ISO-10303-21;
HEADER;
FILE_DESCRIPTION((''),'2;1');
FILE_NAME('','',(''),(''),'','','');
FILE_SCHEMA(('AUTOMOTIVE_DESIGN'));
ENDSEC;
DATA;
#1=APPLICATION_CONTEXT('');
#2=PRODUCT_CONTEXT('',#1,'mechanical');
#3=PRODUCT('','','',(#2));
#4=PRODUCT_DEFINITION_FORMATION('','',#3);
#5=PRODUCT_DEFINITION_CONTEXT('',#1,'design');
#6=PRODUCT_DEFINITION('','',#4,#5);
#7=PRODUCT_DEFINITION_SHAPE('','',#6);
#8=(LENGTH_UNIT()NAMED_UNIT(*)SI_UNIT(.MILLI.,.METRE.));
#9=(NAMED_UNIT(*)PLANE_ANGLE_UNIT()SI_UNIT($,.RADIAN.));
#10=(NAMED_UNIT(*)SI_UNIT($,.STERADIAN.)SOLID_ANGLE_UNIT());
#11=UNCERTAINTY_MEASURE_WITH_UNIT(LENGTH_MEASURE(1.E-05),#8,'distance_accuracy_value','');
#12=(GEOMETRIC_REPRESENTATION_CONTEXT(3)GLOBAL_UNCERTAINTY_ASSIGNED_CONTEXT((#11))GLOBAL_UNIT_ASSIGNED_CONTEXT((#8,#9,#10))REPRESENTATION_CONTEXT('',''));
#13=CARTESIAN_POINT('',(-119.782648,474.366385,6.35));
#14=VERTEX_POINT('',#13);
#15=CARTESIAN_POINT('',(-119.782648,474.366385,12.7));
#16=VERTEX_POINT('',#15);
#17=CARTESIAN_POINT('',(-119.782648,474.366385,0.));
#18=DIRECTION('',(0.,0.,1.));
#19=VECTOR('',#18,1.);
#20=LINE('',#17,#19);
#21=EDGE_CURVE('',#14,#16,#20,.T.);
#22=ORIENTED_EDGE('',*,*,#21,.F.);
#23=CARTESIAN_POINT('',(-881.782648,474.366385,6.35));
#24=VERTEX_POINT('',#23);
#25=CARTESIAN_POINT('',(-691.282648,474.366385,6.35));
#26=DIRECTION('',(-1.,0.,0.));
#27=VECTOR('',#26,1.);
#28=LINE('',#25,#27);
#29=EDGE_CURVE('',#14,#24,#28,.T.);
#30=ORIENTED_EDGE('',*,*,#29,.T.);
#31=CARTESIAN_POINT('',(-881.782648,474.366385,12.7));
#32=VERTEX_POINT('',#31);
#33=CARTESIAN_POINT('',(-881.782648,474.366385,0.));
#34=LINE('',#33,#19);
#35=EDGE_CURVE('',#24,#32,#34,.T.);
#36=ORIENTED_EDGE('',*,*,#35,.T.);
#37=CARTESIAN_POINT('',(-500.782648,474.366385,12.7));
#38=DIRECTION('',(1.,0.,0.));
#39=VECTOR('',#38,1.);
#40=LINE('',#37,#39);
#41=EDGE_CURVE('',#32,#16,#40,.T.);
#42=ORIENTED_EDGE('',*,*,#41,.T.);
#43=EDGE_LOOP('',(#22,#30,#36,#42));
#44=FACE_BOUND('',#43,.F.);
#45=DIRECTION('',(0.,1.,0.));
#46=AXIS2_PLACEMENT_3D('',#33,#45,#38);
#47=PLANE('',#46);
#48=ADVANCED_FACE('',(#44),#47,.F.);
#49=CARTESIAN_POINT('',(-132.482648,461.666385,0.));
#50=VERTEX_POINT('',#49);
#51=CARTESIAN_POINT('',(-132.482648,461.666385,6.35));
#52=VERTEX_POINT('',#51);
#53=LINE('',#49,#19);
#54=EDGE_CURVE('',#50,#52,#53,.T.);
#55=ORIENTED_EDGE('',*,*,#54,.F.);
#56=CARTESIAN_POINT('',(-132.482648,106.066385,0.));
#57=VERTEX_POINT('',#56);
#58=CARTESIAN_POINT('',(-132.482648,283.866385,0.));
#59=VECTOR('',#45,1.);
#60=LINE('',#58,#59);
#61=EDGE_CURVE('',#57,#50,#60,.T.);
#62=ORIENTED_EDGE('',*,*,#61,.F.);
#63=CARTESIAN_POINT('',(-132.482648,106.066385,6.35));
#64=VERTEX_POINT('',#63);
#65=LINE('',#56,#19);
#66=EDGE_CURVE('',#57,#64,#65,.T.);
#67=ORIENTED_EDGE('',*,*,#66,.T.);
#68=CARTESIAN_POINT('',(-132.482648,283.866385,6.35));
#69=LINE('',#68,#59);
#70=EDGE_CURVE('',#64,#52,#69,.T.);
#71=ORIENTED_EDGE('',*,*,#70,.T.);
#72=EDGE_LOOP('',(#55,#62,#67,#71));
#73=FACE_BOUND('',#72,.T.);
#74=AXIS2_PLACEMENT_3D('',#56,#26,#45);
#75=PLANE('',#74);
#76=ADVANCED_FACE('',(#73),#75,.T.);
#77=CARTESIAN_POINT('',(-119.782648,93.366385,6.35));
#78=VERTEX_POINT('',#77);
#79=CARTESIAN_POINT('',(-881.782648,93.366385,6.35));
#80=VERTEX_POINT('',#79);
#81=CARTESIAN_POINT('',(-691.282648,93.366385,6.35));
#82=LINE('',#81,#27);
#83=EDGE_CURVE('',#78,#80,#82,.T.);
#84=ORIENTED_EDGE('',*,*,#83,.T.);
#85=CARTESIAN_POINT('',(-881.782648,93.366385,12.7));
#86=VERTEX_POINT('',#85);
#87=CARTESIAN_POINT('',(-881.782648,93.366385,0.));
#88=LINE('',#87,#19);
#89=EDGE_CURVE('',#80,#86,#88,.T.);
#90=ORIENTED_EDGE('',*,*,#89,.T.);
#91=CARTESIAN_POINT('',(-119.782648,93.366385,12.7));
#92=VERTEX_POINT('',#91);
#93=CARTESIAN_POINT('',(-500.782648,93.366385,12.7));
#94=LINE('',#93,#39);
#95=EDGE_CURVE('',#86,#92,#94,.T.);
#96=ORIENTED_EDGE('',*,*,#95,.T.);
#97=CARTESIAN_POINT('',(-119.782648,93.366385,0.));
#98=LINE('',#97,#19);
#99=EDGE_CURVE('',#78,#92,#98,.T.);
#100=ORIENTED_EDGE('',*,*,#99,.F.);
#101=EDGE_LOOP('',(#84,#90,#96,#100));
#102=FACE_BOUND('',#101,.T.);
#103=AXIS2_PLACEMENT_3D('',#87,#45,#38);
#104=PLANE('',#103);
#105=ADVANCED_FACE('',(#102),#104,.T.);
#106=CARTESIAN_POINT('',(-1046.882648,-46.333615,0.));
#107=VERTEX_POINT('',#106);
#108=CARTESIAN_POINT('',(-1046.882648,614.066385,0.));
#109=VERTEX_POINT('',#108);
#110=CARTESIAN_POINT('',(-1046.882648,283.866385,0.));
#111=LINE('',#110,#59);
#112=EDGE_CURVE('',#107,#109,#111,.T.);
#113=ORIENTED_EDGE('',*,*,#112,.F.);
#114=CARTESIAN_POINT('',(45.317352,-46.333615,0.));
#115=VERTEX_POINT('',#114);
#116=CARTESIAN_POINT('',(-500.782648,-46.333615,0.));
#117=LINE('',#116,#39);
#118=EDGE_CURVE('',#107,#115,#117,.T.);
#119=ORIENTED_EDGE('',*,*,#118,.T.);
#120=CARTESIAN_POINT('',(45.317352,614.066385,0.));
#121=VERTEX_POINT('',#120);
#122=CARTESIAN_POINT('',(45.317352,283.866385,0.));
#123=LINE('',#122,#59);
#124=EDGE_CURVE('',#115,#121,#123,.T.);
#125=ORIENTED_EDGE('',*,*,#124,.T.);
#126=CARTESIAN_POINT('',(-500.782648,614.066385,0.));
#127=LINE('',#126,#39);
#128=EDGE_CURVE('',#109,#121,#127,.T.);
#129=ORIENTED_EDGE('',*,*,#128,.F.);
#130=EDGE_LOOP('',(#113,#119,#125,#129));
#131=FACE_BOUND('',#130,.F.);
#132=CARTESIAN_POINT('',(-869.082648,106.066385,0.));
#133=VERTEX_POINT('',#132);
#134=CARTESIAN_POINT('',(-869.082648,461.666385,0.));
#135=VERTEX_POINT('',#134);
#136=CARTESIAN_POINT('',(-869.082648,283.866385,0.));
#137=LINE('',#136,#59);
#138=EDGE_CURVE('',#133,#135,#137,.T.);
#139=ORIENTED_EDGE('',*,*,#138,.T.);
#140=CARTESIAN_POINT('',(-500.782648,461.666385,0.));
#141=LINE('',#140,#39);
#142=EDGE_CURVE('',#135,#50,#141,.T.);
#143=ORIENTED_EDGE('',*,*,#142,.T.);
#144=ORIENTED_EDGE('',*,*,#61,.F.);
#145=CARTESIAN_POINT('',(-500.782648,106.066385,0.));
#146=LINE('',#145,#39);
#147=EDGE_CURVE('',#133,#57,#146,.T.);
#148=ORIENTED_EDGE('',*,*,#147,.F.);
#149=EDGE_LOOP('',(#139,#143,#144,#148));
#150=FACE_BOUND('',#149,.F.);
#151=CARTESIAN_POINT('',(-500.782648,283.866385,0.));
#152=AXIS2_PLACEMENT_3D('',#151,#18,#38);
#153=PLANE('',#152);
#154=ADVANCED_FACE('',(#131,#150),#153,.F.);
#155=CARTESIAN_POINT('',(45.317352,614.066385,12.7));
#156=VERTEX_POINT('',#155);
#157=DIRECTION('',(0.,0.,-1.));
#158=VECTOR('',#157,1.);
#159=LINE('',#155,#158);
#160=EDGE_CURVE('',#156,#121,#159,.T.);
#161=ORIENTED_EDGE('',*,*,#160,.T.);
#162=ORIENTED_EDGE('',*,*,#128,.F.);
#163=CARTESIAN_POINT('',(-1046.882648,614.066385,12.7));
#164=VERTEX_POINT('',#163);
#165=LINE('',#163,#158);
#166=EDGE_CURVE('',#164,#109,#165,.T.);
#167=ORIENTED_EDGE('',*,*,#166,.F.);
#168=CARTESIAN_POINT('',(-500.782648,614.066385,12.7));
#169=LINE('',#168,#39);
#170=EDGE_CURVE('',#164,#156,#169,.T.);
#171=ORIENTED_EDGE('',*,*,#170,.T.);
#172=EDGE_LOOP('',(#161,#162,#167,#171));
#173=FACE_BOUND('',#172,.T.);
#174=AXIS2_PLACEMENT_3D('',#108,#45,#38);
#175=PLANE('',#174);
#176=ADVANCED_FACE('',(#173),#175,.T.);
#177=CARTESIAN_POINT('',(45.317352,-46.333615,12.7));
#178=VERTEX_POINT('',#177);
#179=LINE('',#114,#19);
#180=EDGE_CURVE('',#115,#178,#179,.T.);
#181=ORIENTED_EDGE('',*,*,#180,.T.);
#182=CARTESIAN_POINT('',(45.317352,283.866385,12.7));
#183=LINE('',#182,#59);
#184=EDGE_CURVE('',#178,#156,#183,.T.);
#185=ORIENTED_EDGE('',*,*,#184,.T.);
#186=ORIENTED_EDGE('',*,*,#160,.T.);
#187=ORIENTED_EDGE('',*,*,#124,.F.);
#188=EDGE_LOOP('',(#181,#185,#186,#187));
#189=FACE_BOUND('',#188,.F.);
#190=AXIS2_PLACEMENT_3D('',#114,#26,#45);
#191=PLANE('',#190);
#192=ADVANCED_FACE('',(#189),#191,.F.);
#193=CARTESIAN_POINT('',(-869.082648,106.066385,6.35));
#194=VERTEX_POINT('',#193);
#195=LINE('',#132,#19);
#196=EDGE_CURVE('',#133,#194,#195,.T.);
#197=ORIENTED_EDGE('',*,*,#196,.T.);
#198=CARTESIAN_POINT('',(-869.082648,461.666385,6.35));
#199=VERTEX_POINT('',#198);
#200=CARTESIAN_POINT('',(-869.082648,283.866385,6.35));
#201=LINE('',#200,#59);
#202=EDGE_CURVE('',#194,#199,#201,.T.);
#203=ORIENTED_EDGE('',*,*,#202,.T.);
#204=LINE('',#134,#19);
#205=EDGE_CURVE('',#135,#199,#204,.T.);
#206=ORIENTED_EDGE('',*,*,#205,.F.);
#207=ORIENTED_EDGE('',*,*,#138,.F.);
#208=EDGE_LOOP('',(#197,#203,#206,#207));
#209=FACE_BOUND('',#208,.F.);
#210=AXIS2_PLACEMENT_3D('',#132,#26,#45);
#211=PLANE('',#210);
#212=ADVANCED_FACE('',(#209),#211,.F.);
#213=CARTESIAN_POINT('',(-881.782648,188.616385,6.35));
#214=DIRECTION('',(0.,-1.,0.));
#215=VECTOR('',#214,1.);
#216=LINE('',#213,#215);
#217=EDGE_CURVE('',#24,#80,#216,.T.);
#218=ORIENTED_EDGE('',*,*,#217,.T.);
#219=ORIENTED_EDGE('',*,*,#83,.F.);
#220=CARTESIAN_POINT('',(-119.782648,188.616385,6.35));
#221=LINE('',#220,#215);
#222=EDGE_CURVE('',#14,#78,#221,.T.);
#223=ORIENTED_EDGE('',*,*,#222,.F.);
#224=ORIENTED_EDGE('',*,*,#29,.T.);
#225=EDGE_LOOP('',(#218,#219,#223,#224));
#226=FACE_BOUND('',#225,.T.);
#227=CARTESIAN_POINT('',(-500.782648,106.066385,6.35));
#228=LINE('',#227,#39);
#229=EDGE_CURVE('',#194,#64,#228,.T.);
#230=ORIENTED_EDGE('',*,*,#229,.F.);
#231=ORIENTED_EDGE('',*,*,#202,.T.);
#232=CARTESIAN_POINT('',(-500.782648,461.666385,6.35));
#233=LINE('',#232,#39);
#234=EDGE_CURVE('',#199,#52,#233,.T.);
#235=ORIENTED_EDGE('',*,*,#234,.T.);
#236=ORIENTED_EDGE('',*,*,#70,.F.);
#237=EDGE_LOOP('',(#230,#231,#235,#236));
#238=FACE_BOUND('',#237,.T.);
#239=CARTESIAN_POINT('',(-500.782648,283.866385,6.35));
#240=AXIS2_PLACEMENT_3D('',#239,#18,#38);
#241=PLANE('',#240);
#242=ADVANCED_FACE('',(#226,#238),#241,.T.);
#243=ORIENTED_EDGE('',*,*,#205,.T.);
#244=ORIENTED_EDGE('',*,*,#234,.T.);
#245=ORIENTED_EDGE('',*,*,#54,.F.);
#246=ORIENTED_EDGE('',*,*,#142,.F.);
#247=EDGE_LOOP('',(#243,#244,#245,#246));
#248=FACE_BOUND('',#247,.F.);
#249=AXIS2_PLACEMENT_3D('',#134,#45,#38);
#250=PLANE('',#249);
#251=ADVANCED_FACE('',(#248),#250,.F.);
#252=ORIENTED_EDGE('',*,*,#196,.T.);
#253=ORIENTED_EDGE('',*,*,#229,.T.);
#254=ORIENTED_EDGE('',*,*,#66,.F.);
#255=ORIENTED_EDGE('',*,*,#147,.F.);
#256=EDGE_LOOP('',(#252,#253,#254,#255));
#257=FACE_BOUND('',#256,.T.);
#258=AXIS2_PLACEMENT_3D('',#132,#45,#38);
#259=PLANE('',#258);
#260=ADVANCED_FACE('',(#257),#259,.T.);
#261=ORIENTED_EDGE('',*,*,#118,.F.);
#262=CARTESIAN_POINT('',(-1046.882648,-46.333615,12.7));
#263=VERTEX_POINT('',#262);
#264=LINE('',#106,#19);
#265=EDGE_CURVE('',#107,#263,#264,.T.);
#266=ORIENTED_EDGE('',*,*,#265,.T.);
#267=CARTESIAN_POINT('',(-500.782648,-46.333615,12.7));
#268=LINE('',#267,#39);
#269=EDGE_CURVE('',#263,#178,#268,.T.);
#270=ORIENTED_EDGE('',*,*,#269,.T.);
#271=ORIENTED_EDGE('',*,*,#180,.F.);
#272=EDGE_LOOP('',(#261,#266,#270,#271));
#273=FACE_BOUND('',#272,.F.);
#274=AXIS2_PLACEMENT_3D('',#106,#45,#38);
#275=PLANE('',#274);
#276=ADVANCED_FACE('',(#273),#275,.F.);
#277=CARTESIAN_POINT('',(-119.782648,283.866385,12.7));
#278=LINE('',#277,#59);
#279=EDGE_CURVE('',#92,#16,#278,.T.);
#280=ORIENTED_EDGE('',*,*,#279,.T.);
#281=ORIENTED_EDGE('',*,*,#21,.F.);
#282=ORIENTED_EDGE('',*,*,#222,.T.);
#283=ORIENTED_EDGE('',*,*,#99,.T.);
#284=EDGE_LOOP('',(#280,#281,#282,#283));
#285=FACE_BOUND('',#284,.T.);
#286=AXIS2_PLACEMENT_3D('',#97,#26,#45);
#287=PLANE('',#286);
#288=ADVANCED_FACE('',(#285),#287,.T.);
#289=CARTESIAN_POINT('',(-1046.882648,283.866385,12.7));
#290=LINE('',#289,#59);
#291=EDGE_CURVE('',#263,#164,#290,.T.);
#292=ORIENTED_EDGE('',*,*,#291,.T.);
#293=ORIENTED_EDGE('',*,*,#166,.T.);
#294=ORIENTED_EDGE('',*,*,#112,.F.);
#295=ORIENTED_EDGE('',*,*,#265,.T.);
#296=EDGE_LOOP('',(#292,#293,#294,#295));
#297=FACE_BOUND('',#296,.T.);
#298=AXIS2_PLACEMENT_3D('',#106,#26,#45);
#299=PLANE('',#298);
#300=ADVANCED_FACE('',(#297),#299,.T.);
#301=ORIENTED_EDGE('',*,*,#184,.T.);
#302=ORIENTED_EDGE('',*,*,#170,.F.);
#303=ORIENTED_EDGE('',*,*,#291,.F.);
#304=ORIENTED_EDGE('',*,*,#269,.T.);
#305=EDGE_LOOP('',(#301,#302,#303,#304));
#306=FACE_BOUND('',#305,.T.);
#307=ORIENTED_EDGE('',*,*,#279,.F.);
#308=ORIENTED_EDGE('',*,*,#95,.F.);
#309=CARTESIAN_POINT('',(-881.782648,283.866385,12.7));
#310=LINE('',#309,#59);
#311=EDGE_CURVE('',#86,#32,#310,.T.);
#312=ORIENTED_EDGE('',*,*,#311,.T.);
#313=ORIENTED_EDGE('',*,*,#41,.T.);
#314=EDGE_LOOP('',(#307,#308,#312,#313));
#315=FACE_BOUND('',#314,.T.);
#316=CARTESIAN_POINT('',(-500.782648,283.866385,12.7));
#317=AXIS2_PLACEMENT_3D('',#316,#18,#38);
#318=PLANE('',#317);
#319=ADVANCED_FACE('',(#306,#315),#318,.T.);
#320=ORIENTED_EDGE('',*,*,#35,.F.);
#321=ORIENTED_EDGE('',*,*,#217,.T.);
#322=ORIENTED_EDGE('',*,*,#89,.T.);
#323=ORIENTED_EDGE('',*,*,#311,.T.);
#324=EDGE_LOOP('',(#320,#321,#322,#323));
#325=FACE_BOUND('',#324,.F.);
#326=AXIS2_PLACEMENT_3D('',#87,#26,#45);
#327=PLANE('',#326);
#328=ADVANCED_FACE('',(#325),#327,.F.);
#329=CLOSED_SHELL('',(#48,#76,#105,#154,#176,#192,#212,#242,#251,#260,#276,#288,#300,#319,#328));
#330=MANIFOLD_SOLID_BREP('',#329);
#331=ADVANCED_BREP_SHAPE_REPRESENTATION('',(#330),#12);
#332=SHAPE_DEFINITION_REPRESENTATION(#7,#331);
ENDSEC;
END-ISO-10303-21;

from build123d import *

# Parameters (mm, degrees)
F0_W     = 1092.2
F0_H     = 660.4
F0_W_2   = 762
F0_H_2   = 381
F0_W_3   = 736.6
F0_H_3   = 355.6
F1_DEPTH = 6.35
F2_DEPTH = 12.7


with BuildPart() as f1:
    # F0 (on Top) → F1 (new body)
    with BuildSketch(Plane.XY):
        with Locations((-500.782648, 283.866385)):
            Rectangle(F0_W, F0_H)
        with Locations((-500.782648, 283.866385)):
            Rectangle(F0_W_2, F0_H_2, mode=Mode.SUBTRACT)
        with Locations((-500.782648, 283.866385)):
            Rectangle(F0_W_2, F0_H_2)
        with Locations((-500.782648, 283.866385)):
            Rectangle(F0_W_3, F0_H_3, mode=Mode.SUBTRACT)
    extrude(amount=F1_DEPTH)

    # F0 (on Top) → F2 (join)
    with BuildSketch(Plane.XY):
        with Locations((-500.782648, 283.866385)):
            Rectangle(F0_W, F0_H)
        with Locations((-500.782648, 283.866385)):
            Rectangle(F0_W_2, F0_H_2, mode=Mode.SUBTRACT)
    extrude(amount=F2_DEPTH)


solid = f1.part
